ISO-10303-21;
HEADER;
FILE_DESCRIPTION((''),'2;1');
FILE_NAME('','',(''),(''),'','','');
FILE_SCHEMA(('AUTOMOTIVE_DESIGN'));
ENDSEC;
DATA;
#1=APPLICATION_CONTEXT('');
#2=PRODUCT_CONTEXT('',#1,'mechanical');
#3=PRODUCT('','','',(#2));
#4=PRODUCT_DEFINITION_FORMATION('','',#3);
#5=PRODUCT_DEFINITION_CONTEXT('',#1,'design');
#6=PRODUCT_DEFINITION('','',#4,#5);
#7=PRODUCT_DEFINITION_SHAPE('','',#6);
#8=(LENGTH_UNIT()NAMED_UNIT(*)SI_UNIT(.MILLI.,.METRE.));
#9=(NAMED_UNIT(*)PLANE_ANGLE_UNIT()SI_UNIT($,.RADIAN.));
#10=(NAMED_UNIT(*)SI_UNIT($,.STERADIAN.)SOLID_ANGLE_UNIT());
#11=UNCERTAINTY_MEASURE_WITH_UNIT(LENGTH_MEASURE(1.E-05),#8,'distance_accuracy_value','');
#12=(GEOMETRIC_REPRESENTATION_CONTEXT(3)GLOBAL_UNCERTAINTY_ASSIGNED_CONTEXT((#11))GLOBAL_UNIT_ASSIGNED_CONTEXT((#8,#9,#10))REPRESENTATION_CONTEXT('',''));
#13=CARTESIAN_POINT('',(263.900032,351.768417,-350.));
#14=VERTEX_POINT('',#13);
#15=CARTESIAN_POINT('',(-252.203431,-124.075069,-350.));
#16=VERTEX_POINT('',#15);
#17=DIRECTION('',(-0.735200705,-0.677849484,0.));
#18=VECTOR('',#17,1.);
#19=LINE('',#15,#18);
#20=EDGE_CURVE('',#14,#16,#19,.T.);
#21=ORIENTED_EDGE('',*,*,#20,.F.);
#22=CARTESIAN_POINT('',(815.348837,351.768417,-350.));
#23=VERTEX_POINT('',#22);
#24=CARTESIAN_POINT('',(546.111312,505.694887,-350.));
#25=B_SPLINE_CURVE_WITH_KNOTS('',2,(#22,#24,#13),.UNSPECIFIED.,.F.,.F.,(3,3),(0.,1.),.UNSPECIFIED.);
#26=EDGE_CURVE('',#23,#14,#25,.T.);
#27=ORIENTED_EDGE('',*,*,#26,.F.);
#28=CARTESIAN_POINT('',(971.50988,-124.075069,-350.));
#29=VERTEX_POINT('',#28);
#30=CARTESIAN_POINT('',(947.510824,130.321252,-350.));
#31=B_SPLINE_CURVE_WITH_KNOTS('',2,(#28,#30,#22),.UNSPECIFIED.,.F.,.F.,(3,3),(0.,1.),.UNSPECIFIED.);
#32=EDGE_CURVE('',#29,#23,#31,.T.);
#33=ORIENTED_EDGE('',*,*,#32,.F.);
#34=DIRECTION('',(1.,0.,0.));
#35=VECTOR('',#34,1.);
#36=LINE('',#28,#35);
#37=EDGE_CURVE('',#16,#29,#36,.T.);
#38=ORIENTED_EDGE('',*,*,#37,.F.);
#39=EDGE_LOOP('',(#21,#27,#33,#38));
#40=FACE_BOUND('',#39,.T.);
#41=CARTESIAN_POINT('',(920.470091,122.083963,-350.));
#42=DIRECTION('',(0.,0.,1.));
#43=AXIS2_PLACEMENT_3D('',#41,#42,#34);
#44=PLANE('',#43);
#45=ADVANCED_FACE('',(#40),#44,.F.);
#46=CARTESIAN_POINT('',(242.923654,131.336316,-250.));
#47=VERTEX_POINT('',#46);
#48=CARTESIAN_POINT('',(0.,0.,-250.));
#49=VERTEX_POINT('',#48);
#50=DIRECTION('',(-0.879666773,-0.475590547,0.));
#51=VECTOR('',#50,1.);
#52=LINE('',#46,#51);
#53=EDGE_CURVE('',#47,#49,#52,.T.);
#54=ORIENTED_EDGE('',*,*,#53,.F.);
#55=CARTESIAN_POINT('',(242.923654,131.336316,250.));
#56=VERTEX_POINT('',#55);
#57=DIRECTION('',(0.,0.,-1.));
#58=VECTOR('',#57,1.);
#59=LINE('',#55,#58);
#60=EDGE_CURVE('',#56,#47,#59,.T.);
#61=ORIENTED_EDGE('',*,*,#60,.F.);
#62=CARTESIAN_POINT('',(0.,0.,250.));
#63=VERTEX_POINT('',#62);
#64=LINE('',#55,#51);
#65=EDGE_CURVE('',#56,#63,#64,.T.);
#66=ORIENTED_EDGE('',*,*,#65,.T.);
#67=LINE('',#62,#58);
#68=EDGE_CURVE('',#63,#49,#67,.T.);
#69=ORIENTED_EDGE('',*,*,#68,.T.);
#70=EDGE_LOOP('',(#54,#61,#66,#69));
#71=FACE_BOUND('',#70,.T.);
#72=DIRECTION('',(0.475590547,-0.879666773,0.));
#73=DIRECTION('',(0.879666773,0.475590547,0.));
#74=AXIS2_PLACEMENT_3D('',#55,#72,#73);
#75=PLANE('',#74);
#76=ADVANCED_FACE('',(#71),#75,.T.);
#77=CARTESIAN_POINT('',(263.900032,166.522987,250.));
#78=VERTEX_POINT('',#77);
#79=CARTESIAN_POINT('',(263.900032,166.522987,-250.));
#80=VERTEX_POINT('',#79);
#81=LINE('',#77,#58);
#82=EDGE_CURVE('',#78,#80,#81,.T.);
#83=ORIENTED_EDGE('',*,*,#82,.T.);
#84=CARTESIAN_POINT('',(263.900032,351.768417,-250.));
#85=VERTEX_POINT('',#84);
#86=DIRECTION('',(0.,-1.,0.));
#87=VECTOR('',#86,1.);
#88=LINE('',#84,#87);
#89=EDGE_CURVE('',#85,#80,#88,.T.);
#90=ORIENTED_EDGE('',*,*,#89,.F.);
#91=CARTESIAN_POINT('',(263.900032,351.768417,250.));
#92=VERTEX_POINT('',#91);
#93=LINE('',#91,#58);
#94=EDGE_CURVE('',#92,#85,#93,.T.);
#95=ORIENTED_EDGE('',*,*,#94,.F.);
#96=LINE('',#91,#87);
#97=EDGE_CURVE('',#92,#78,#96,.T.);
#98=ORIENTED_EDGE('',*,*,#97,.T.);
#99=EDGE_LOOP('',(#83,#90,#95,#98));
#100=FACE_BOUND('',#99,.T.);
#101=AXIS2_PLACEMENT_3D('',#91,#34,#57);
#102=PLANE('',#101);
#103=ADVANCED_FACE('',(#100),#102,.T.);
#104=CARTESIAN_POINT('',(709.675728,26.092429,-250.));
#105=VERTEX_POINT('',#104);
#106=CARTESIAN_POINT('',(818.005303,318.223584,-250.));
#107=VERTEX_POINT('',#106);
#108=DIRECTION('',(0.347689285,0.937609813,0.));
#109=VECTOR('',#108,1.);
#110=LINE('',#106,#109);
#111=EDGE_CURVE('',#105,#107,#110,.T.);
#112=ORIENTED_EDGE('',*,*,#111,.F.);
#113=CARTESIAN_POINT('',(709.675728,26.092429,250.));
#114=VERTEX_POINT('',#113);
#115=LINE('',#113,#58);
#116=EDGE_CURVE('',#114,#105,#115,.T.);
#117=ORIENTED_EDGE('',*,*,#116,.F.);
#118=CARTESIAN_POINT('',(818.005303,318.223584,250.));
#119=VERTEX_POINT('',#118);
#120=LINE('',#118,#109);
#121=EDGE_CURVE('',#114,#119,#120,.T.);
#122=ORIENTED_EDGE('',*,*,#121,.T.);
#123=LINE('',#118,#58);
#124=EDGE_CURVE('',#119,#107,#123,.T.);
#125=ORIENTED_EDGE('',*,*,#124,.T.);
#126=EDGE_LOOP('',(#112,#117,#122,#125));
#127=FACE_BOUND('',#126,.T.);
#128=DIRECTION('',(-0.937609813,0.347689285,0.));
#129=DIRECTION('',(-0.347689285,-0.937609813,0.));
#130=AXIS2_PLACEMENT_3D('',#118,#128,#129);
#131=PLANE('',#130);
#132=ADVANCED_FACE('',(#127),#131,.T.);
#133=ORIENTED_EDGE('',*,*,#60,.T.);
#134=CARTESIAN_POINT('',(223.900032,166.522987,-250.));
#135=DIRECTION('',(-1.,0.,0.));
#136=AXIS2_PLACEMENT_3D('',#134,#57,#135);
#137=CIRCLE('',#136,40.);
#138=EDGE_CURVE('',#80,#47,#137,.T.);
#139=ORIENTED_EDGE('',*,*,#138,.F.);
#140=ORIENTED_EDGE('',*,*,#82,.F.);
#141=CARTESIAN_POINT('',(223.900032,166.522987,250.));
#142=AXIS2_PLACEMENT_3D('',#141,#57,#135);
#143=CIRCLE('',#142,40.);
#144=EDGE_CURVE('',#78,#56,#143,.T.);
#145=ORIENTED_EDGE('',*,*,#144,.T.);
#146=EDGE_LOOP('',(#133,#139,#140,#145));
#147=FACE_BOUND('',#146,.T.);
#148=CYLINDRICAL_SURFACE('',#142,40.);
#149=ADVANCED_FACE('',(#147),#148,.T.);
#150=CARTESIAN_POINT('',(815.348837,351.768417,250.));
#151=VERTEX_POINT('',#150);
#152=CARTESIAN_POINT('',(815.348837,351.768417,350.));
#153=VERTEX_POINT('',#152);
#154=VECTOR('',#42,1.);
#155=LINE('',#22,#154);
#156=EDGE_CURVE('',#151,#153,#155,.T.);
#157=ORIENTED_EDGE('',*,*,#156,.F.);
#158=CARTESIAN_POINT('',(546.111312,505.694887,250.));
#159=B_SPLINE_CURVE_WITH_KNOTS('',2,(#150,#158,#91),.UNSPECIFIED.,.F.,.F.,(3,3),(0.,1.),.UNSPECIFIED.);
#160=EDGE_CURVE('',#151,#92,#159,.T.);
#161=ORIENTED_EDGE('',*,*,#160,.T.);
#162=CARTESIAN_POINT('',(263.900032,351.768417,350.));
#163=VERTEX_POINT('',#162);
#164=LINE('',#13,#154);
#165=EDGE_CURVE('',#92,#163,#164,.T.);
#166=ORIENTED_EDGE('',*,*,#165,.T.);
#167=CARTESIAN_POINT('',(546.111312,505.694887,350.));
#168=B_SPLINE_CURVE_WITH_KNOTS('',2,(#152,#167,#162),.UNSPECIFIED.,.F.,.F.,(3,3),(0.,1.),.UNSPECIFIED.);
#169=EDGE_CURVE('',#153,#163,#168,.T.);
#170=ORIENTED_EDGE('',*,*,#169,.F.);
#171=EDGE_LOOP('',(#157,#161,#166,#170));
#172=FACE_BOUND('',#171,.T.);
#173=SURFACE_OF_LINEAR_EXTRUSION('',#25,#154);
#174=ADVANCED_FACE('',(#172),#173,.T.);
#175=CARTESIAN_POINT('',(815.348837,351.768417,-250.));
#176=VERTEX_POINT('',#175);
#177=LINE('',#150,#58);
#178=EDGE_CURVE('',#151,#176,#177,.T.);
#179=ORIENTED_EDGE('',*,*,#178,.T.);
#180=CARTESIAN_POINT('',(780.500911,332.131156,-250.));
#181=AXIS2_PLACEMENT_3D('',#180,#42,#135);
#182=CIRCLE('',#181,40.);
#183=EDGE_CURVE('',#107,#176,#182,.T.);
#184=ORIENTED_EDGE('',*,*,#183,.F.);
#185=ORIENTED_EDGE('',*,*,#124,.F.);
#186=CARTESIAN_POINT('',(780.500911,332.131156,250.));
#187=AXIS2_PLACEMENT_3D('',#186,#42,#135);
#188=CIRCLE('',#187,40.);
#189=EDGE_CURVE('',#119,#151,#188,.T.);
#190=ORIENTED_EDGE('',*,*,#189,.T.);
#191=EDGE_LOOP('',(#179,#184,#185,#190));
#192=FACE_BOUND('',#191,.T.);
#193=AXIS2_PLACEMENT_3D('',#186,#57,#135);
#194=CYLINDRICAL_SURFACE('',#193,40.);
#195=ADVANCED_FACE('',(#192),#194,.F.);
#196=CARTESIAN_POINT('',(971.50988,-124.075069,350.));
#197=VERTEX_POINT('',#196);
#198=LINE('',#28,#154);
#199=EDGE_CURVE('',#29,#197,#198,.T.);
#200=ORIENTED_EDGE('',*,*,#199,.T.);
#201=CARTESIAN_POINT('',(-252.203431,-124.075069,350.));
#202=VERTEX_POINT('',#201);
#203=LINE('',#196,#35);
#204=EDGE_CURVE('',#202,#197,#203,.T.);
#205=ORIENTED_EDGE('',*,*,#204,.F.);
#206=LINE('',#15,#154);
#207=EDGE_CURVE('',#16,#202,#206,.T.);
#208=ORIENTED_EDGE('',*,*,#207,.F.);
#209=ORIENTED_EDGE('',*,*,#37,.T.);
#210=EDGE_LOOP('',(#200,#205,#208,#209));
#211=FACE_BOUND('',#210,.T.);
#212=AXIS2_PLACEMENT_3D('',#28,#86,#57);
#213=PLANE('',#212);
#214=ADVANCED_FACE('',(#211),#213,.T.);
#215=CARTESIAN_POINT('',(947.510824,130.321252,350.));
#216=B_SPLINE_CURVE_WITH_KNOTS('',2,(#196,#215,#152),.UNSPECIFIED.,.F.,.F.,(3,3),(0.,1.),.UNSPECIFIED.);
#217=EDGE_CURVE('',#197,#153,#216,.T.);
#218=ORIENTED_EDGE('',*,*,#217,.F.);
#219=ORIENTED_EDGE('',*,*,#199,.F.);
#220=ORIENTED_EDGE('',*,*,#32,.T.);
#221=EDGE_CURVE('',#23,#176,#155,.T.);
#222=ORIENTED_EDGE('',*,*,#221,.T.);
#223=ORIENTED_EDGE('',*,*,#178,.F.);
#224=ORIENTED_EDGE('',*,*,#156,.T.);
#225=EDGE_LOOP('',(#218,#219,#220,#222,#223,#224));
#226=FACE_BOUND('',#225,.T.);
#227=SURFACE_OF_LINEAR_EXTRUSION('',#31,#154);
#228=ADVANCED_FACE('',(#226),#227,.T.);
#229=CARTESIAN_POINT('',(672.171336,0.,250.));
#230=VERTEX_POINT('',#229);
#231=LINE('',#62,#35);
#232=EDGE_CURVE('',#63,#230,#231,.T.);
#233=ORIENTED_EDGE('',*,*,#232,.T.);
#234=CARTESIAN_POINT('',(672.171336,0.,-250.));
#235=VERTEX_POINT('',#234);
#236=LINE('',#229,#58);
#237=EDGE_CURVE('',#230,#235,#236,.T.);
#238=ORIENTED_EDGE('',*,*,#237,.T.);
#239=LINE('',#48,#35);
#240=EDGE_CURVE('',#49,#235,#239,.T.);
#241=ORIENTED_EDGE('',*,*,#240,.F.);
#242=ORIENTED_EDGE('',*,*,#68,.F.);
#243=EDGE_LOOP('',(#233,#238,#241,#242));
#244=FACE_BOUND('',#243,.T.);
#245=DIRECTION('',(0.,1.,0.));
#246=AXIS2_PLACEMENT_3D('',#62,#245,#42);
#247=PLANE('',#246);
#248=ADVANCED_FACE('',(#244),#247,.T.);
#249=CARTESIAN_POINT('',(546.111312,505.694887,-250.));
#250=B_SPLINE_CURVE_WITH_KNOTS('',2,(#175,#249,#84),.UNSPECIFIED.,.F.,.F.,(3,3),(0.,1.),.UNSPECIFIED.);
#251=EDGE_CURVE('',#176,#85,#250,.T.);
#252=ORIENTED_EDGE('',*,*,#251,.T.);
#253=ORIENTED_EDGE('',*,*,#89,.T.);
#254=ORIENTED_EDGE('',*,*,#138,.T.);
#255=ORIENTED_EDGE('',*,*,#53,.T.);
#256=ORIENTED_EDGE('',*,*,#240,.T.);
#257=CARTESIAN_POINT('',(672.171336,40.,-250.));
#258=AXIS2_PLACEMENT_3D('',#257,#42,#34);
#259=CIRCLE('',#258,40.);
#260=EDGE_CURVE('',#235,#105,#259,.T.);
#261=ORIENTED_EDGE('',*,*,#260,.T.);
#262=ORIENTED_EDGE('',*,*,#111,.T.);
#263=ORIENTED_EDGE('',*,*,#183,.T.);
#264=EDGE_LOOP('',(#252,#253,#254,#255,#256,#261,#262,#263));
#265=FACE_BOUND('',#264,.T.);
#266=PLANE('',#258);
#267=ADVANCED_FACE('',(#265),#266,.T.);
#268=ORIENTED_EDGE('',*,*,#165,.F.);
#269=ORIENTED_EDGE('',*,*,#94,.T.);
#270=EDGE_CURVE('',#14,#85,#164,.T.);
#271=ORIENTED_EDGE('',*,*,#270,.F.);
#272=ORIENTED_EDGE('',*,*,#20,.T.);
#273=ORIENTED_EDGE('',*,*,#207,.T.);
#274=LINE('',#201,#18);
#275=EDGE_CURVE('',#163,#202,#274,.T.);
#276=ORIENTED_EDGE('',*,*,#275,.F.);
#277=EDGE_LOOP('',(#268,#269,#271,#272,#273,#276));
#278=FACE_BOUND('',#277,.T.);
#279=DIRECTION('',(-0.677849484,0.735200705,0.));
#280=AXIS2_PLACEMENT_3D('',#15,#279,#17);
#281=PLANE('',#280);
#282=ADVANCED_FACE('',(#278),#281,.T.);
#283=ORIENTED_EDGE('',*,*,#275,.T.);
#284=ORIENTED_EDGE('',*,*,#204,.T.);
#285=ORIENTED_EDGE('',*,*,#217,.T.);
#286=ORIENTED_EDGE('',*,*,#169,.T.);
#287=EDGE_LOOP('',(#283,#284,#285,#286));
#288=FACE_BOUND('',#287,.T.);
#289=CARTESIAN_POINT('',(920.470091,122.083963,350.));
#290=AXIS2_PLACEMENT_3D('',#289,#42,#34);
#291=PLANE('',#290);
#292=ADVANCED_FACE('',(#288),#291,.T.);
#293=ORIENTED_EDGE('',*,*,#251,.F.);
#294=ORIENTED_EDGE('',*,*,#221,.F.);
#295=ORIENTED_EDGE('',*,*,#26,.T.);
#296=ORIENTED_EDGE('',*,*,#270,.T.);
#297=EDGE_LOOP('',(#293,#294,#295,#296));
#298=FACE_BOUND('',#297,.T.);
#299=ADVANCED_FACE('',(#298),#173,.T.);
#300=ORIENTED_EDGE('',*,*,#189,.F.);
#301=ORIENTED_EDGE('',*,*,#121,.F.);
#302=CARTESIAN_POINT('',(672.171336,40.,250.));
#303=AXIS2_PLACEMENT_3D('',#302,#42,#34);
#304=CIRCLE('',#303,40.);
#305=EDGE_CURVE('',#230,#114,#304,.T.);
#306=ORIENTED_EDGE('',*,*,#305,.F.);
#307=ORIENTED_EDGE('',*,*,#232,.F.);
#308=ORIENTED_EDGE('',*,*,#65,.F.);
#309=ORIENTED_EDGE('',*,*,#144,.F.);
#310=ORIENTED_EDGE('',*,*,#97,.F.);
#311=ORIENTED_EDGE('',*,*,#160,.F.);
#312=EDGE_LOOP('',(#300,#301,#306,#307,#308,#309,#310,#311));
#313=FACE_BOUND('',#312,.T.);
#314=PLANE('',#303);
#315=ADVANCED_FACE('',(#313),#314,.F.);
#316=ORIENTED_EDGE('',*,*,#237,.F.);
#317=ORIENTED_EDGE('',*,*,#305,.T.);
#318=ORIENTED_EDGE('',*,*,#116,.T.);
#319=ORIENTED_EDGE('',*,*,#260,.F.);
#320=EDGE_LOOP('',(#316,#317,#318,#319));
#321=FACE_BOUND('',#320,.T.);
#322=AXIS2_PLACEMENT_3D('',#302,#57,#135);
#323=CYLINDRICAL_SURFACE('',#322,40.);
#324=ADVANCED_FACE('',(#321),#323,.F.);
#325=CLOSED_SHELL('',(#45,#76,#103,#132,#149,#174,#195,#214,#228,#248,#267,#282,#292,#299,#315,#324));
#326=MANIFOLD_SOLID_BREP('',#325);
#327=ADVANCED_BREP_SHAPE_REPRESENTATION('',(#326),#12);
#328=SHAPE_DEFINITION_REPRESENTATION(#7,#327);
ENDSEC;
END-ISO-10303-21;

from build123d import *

# Parameters (mm, degrees)
BOSS_EXTRUDE1_DEPTH      = 350
BOSS_EXTRUDE1_DEPTH_BACK = 350
CUT_EXTRUDE1_DEPTH       = 250
CUT_EXTRUDE1_DEPTH_BACK  = 250


with BuildPart() as part:
    # Sketch6 → Boss-Extrude1 (new, two sides: drawn at the far end of the back side and taken through both)
    with BuildSketch(Plane.XY.offset(-BOSS_EXTRUDE1_DEPTH_BACK)):
        with BuildLine():
            Line((971.509879636, -124.075068782), (-252.203431313, -124.075068782))
            Line((-252.203431313, -124.075068782), (263.900031848, 351.768416645))
            add(Edge.make_bspline(
                [(263.900031848, 351.768416645), (546.111311767, 505.694887208), (815.348837324, 351.768416645)],
                knots=[0, 0, 0, 1, 1, 1], degree=2))
            add(Edge.make_bspline(
                [(815.348837324, 351.768416645), (947.510823837, 130.321252054), (971.509879636, -124.075068782)],
                knots=[0, 0, 0, 1, 1, 1], degree=2))
        make_face()
    extrude(amount=BOSS_EXTRUDE1_DEPTH + BOSS_EXTRUDE1_DEPTH_BACK)

    # Sketch5 → Cut-Extrude1 (cut, two sides: drawn at the far end of the back side and taken through both)
    with BuildSketch(Plane.XY.offset(-CUT_EXTRUDE1_DEPTH_BACK)):
        with BuildLine():
            Line((0, 0), (672.171335821, 0))
            ThreePointArc((672.171335821, 0), (695.015340994, 7.164783727), (709.67572834, 26.092428616))
            Line((709.67572834, 26.092428616), (818.005303321, 318.223584322))
            ThreePointArc((818.005303321, 318.223584322), (820.376071762, 335.288930001), (815.348837324, 351.768416645))
            add(Edge.make_bspline(
                [(263.900031848, 351.768416645), (546.111311767, 505.694887208), (815.348837324, 351.768416645)],
                knots=[0, 0, 0, 1, 1, 1], degree=2))
            Line((263.900031848, 351.768416645), (263.900031848, 166.522987154))
            ThreePointArc((263.900031848, 166.522987154), (258.258035835, 146.04061517), (242.923653745, 131.336316241))
            Line((242.923653745, 131.336316241), (0, 0))
        make_face()
    extrude(amount=CUT_EXTRUDE1_DEPTH + CUT_EXTRUDE1_DEPTH_BACK, mode=Mode.SUBTRACT)


solid = part.part
